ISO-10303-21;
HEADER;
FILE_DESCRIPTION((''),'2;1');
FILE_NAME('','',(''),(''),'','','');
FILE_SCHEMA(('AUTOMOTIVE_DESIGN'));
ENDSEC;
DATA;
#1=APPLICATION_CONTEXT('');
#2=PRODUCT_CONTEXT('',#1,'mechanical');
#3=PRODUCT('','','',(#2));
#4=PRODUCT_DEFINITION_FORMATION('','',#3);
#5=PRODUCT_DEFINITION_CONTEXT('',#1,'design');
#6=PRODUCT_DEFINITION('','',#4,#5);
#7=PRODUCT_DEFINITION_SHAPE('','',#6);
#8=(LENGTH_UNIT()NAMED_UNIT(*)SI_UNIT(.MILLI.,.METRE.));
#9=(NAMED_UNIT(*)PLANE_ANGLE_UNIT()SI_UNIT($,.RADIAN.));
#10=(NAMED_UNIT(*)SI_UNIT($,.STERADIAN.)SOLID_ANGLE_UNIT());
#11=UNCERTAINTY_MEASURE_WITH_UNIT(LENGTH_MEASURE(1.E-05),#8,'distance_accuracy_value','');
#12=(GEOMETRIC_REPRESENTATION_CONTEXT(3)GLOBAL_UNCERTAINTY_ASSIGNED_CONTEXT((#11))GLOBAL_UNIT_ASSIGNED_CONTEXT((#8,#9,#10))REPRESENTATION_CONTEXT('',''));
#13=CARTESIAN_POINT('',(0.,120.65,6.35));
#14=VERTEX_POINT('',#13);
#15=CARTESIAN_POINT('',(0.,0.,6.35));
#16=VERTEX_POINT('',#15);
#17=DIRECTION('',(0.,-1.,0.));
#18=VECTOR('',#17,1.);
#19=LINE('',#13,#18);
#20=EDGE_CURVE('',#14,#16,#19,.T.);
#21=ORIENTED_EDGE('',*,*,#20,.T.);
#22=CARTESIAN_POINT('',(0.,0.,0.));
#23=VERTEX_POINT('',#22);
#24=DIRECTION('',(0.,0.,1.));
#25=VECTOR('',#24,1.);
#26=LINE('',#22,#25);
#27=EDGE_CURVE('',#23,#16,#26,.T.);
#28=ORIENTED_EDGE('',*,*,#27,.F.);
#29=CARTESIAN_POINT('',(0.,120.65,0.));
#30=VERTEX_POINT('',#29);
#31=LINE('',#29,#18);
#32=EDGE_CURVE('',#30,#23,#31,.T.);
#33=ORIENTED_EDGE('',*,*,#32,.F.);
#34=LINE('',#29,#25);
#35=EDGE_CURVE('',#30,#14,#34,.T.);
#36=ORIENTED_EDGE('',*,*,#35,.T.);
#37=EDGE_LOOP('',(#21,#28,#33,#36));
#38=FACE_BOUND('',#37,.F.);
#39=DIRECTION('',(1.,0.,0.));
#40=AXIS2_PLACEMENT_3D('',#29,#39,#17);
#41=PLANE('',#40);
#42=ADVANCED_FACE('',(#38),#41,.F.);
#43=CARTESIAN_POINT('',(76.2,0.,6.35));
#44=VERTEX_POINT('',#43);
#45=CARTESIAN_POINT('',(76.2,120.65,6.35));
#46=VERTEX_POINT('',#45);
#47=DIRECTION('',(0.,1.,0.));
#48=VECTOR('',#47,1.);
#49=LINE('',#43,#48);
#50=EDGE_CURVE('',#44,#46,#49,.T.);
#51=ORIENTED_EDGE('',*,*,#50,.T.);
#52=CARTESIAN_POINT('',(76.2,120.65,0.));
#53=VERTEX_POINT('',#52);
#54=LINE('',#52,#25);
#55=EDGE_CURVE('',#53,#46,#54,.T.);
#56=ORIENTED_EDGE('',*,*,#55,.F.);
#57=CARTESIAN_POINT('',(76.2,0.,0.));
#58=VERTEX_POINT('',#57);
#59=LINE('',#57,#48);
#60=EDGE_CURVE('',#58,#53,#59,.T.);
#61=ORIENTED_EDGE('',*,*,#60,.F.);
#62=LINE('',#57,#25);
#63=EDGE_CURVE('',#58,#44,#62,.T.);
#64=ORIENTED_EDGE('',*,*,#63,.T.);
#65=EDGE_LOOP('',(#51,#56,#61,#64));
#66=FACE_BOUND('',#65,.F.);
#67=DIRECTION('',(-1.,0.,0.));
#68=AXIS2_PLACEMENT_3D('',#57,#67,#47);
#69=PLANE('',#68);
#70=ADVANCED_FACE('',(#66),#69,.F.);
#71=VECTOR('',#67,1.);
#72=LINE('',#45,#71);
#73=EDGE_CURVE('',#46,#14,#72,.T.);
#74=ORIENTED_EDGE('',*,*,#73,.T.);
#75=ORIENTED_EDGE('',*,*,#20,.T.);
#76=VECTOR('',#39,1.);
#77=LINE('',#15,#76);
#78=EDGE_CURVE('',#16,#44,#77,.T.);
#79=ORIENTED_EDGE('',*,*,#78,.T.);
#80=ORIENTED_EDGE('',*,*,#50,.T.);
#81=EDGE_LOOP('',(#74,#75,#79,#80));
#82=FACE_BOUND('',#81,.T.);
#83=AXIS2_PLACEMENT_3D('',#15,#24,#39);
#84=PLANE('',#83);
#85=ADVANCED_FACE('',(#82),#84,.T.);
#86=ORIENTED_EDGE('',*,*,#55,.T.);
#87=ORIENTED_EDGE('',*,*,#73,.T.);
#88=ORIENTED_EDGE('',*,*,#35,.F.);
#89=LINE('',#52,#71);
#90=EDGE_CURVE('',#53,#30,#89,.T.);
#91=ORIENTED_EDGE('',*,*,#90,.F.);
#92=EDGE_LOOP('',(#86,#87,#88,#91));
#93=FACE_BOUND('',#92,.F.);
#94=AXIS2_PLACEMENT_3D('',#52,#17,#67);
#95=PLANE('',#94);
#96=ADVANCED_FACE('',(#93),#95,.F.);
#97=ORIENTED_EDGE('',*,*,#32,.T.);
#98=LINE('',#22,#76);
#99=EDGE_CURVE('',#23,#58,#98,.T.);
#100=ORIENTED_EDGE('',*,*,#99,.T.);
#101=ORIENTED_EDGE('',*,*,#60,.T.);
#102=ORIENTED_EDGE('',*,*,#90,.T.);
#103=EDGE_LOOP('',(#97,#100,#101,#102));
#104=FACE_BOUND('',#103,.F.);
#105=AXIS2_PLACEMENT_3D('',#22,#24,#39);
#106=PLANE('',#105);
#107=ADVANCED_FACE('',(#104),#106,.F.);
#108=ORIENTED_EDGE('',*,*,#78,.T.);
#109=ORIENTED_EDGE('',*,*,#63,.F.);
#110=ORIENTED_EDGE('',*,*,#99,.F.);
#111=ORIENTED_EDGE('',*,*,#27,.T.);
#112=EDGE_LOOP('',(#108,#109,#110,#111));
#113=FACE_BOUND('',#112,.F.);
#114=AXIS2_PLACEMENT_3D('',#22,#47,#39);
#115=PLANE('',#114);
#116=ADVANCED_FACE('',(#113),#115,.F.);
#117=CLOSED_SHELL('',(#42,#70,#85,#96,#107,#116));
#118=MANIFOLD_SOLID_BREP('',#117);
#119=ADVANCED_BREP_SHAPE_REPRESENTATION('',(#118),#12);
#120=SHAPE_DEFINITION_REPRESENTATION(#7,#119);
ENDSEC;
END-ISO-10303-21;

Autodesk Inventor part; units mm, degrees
ref_plane "YZ Plane" through (0, 0, 0) normal (1, 0, 0) x (0, 1, 0)
ref_plane "XZ Plane" through (0, 0, 0) normal (0, 1, 0) x (-1, 0, 0)
ref_plane "XY Plane" through (0, 0, 0) normal (0, 0, 1) x (1, 0, 0)
sketch "Sketch1" plane through (0, 0, 0) normal (0, 0, 1) x (1, 0, 0)
  line L0 (0, 0) -> (76.2, 0)
  line L1 (76.2, 0) -> (76.2, 120.65)
  line L2 (76.2, 120.65) -> (0, 120.65)
  line L3 (0, 120.65) -> (0, 0)
  dimension "d0" = 76.2
  dimension "d1" = 120.65
extrude "Extrusion1" add sketch "Sketch1" along normal blind 6.35
properties part number "wall 6" material "Aluminum 6061"
